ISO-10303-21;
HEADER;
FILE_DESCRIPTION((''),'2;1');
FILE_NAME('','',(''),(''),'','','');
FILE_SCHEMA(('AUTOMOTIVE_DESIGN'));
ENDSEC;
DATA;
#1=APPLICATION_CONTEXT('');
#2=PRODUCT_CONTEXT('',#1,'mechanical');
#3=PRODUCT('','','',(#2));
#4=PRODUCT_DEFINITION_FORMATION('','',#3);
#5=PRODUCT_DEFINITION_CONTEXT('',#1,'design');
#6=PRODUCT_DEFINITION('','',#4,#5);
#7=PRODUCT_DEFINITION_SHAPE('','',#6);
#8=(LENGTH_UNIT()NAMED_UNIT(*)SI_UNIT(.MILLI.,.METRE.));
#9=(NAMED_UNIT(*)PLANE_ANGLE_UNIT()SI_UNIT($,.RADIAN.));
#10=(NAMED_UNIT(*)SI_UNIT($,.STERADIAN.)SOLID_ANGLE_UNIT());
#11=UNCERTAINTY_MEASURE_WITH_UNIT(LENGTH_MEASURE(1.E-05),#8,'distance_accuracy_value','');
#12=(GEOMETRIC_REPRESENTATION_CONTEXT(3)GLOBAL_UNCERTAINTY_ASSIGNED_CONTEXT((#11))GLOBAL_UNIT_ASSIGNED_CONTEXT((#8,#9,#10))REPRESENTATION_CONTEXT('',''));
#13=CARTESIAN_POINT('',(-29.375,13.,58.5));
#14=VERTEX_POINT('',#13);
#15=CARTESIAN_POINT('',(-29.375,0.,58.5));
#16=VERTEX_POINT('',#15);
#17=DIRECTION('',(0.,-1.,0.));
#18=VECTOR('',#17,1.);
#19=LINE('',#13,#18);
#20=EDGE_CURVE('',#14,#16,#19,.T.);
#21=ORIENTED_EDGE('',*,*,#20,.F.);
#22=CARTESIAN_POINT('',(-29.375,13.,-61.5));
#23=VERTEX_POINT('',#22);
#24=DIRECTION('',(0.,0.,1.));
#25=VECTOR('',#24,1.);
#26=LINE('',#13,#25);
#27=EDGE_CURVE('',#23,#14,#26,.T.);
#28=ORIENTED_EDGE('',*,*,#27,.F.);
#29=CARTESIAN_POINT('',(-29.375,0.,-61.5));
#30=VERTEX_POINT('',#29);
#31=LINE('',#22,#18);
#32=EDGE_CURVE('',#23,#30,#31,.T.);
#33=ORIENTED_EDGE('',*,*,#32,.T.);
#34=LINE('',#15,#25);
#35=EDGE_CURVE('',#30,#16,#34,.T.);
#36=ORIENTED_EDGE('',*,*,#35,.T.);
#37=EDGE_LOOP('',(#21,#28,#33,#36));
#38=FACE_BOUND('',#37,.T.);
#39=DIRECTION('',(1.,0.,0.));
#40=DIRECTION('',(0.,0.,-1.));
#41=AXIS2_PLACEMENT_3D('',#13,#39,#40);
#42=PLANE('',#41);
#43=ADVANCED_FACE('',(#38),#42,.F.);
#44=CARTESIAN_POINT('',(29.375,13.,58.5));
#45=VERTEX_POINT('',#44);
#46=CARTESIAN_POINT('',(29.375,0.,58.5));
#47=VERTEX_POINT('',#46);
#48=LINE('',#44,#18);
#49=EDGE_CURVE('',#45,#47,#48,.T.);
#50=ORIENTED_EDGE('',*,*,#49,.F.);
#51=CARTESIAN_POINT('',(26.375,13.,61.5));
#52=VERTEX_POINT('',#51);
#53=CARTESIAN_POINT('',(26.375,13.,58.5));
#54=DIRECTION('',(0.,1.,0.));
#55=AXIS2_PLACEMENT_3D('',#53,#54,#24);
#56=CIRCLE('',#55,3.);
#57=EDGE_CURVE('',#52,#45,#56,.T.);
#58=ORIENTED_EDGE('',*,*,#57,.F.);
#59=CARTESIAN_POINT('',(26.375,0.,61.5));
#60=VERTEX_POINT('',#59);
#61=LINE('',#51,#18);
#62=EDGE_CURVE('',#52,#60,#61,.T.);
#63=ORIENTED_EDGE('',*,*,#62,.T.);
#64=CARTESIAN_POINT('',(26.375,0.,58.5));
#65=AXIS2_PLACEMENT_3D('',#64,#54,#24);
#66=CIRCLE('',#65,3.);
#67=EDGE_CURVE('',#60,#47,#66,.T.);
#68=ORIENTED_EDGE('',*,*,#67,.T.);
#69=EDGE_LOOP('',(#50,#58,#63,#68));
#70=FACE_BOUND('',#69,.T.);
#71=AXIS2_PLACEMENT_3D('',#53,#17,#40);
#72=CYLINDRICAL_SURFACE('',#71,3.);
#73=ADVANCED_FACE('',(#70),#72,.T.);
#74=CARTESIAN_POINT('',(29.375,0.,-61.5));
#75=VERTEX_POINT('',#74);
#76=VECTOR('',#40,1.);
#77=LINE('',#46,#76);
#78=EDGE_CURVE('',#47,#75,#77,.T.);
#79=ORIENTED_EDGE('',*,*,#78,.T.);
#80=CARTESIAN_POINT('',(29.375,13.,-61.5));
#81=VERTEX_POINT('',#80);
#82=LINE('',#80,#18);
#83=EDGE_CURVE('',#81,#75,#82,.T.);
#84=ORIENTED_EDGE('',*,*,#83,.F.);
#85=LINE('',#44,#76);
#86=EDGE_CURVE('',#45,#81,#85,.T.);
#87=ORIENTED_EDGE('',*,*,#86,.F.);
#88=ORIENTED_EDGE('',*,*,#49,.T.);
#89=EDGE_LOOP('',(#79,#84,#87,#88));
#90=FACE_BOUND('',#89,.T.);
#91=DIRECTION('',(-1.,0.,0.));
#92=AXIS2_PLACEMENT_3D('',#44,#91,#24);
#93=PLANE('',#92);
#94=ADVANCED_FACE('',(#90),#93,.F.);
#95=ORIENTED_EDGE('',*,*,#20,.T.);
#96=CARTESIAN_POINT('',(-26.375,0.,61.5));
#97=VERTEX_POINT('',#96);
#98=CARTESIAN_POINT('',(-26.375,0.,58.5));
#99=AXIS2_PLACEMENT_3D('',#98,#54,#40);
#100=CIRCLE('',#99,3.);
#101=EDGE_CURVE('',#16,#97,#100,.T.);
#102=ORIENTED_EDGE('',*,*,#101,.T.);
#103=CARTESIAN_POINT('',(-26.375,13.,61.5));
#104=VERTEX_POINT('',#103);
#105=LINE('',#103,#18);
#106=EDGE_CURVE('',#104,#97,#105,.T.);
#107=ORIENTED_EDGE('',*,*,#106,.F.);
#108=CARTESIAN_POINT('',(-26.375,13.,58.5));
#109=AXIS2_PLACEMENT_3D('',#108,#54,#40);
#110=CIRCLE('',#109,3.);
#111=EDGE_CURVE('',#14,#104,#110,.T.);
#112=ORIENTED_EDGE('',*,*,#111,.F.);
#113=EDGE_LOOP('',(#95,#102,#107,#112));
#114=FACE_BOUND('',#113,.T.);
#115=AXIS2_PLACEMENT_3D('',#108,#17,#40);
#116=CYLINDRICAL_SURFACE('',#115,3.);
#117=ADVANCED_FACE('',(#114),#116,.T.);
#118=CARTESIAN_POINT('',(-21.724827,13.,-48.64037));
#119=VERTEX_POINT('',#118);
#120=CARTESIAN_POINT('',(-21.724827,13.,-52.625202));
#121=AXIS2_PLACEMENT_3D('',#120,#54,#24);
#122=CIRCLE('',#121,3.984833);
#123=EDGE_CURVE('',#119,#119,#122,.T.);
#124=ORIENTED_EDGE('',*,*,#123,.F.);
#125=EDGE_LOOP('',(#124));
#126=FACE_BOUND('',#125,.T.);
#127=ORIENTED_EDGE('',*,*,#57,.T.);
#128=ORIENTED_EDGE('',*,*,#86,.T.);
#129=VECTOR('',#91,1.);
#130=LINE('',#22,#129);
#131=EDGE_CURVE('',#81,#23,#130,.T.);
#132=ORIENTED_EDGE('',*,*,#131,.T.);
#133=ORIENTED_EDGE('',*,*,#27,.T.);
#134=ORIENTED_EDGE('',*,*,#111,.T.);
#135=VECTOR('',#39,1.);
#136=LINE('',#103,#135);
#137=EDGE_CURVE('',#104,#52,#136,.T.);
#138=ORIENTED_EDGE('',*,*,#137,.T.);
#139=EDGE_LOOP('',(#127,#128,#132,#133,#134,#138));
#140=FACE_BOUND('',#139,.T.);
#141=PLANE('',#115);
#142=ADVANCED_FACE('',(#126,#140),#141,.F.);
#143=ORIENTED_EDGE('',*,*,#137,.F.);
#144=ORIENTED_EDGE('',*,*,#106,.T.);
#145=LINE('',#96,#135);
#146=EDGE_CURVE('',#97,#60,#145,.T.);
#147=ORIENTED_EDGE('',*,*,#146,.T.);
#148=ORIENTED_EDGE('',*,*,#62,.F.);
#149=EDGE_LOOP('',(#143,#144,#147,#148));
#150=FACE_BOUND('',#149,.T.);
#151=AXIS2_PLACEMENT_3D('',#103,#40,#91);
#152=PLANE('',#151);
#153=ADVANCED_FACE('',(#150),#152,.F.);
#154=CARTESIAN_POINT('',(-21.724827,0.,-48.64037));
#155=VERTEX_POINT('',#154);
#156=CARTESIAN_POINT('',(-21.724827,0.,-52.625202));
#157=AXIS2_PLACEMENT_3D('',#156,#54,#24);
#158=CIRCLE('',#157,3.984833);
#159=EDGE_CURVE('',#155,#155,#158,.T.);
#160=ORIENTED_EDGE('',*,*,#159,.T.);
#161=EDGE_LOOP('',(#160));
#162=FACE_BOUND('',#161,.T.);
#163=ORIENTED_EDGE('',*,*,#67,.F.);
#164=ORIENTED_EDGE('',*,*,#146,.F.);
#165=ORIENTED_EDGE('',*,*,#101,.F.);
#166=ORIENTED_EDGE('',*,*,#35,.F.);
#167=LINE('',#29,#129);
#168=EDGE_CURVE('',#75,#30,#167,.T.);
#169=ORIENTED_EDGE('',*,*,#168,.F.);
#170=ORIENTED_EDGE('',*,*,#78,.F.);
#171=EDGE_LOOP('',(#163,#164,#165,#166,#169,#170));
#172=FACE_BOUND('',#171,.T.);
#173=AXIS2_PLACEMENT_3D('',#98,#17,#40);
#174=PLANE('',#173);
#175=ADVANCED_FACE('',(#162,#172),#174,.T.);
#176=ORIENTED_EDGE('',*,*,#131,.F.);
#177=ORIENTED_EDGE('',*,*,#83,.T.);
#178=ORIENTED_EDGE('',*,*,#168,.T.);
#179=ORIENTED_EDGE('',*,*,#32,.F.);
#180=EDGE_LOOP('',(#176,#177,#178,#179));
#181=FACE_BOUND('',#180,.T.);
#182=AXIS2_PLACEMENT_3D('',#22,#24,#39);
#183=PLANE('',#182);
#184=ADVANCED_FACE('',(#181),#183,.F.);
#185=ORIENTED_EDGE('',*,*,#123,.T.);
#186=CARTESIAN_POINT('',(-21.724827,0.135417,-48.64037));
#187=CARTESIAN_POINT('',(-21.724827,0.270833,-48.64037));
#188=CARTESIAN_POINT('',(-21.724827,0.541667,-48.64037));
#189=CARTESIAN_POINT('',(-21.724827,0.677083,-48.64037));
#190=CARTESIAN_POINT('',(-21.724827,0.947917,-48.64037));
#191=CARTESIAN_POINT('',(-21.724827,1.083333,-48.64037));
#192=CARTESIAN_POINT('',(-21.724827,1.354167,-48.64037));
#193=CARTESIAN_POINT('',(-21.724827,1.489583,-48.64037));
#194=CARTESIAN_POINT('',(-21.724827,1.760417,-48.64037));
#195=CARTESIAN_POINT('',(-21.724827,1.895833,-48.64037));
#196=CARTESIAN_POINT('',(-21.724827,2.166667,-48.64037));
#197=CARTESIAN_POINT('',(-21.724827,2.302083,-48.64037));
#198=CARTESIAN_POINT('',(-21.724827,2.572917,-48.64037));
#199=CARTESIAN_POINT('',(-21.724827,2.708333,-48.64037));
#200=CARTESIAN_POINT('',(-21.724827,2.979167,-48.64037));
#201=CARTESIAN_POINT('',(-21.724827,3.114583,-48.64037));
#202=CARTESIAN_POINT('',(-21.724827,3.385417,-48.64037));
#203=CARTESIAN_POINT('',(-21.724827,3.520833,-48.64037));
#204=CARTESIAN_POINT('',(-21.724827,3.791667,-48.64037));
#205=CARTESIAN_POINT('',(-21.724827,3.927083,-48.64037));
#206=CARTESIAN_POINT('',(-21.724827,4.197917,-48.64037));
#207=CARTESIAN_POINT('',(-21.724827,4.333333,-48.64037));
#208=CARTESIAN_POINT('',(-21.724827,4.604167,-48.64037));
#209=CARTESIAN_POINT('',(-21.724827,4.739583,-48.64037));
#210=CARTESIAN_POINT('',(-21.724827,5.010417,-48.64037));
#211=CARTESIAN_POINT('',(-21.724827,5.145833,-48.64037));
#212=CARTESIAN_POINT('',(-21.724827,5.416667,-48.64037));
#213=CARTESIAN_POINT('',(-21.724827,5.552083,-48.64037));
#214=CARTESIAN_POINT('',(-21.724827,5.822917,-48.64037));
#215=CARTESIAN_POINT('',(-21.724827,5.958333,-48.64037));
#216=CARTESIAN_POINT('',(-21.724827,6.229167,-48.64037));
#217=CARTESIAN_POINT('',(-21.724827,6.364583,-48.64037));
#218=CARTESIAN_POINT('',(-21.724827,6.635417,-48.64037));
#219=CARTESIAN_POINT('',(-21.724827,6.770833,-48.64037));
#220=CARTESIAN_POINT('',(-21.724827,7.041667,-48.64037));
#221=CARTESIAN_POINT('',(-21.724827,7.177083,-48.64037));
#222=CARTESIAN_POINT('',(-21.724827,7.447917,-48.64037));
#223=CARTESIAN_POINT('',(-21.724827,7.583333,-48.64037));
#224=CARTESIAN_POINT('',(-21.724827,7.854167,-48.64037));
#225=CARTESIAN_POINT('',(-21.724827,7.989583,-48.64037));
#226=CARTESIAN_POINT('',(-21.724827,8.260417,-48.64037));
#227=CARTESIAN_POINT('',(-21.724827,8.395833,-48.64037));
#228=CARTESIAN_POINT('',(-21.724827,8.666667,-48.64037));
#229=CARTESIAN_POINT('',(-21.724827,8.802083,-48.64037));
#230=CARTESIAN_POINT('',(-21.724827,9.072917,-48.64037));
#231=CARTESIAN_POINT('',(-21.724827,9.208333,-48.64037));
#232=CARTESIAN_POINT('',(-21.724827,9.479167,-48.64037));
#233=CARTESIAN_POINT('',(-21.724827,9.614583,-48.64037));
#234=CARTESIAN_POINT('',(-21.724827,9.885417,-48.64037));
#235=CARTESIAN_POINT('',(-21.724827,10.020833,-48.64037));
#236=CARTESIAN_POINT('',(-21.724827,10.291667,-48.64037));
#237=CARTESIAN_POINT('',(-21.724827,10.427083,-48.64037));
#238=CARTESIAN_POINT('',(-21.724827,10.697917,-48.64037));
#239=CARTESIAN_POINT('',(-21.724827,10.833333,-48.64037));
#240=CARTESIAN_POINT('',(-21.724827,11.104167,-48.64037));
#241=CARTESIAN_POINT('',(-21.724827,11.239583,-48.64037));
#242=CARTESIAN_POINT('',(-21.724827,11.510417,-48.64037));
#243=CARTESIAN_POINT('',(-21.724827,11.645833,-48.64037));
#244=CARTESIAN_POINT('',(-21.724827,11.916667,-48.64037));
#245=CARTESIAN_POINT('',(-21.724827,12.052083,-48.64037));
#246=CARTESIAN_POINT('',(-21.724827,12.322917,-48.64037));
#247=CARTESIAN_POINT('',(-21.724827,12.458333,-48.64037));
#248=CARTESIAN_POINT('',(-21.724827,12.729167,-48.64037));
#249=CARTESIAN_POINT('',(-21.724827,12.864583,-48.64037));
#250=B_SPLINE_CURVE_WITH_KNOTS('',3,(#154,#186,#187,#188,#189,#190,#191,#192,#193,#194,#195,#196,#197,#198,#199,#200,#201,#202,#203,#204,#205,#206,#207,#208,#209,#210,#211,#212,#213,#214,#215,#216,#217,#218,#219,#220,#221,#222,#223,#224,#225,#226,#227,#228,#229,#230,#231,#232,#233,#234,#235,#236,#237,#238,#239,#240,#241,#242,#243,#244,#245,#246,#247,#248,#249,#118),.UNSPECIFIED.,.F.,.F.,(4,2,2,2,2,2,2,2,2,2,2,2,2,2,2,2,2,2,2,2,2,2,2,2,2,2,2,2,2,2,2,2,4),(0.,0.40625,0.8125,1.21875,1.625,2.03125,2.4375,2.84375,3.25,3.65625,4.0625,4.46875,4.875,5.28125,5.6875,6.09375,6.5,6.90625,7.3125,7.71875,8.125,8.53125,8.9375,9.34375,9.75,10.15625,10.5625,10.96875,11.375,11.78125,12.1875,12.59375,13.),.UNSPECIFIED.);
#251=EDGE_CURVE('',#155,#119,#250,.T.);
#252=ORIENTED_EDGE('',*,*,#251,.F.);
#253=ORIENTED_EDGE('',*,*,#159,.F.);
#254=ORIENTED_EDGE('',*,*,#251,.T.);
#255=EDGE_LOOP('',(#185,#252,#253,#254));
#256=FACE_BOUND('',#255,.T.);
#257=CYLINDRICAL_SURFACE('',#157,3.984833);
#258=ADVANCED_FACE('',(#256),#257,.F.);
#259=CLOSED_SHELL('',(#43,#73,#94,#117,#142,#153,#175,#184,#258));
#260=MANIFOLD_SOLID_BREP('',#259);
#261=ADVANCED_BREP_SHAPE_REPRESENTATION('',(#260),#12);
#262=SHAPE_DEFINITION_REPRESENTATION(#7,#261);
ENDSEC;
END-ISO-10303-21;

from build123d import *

# Parameters (mm, degrees)
BOSS_EXTRUDE1_DEPTH = 13
SKETCH2_R           = 3.984832534
CUT_EXTRUDE1_DEPTH  = 70.384008424


with BuildPart() as part:
    # Sketch1 → Boss-Extrude1 (new body)
    with BuildSketch(Plane(origin=(0, 0, 0), x_dir=(1, 0, 0), z_dir=(0, 1, 0))):
        with BuildLine():
            Line((-26.375, -61.5), (26.375, -61.5))
            ThreePointArc((26.375, -61.5), (28.496320344, -60.621320344), (29.375, -58.5))
            Line((29.375, -58.5), (29.375, 61.5))
            Line((29.375, 61.5), (-29.375, 61.5))
            Line((-29.375, 61.5), (-29.375, -58.5))
            ThreePointArc((-29.375, -58.5), (-28.496320344, -60.621320344), (-26.375, -61.5))
        make_face()
    extrude(amount=BOSS_EXTRUDE1_DEPTH)

    # Sketch2 → Cut-Extrude1 (cut, through all)
    with BuildSketch(Plane(origin=(0, 13, 0), x_dir=(1, 0, 0), z_dir=(0, 1, 0))):
        with Locations(Location((-21.724826846, 52.625202096, 0), (0, 0, 270))):
            Circle(SKETCH2_R)
    extrude(amount=-CUT_EXTRUDE1_DEPTH, mode=Mode.SUBTRACT)


solid = part.part
